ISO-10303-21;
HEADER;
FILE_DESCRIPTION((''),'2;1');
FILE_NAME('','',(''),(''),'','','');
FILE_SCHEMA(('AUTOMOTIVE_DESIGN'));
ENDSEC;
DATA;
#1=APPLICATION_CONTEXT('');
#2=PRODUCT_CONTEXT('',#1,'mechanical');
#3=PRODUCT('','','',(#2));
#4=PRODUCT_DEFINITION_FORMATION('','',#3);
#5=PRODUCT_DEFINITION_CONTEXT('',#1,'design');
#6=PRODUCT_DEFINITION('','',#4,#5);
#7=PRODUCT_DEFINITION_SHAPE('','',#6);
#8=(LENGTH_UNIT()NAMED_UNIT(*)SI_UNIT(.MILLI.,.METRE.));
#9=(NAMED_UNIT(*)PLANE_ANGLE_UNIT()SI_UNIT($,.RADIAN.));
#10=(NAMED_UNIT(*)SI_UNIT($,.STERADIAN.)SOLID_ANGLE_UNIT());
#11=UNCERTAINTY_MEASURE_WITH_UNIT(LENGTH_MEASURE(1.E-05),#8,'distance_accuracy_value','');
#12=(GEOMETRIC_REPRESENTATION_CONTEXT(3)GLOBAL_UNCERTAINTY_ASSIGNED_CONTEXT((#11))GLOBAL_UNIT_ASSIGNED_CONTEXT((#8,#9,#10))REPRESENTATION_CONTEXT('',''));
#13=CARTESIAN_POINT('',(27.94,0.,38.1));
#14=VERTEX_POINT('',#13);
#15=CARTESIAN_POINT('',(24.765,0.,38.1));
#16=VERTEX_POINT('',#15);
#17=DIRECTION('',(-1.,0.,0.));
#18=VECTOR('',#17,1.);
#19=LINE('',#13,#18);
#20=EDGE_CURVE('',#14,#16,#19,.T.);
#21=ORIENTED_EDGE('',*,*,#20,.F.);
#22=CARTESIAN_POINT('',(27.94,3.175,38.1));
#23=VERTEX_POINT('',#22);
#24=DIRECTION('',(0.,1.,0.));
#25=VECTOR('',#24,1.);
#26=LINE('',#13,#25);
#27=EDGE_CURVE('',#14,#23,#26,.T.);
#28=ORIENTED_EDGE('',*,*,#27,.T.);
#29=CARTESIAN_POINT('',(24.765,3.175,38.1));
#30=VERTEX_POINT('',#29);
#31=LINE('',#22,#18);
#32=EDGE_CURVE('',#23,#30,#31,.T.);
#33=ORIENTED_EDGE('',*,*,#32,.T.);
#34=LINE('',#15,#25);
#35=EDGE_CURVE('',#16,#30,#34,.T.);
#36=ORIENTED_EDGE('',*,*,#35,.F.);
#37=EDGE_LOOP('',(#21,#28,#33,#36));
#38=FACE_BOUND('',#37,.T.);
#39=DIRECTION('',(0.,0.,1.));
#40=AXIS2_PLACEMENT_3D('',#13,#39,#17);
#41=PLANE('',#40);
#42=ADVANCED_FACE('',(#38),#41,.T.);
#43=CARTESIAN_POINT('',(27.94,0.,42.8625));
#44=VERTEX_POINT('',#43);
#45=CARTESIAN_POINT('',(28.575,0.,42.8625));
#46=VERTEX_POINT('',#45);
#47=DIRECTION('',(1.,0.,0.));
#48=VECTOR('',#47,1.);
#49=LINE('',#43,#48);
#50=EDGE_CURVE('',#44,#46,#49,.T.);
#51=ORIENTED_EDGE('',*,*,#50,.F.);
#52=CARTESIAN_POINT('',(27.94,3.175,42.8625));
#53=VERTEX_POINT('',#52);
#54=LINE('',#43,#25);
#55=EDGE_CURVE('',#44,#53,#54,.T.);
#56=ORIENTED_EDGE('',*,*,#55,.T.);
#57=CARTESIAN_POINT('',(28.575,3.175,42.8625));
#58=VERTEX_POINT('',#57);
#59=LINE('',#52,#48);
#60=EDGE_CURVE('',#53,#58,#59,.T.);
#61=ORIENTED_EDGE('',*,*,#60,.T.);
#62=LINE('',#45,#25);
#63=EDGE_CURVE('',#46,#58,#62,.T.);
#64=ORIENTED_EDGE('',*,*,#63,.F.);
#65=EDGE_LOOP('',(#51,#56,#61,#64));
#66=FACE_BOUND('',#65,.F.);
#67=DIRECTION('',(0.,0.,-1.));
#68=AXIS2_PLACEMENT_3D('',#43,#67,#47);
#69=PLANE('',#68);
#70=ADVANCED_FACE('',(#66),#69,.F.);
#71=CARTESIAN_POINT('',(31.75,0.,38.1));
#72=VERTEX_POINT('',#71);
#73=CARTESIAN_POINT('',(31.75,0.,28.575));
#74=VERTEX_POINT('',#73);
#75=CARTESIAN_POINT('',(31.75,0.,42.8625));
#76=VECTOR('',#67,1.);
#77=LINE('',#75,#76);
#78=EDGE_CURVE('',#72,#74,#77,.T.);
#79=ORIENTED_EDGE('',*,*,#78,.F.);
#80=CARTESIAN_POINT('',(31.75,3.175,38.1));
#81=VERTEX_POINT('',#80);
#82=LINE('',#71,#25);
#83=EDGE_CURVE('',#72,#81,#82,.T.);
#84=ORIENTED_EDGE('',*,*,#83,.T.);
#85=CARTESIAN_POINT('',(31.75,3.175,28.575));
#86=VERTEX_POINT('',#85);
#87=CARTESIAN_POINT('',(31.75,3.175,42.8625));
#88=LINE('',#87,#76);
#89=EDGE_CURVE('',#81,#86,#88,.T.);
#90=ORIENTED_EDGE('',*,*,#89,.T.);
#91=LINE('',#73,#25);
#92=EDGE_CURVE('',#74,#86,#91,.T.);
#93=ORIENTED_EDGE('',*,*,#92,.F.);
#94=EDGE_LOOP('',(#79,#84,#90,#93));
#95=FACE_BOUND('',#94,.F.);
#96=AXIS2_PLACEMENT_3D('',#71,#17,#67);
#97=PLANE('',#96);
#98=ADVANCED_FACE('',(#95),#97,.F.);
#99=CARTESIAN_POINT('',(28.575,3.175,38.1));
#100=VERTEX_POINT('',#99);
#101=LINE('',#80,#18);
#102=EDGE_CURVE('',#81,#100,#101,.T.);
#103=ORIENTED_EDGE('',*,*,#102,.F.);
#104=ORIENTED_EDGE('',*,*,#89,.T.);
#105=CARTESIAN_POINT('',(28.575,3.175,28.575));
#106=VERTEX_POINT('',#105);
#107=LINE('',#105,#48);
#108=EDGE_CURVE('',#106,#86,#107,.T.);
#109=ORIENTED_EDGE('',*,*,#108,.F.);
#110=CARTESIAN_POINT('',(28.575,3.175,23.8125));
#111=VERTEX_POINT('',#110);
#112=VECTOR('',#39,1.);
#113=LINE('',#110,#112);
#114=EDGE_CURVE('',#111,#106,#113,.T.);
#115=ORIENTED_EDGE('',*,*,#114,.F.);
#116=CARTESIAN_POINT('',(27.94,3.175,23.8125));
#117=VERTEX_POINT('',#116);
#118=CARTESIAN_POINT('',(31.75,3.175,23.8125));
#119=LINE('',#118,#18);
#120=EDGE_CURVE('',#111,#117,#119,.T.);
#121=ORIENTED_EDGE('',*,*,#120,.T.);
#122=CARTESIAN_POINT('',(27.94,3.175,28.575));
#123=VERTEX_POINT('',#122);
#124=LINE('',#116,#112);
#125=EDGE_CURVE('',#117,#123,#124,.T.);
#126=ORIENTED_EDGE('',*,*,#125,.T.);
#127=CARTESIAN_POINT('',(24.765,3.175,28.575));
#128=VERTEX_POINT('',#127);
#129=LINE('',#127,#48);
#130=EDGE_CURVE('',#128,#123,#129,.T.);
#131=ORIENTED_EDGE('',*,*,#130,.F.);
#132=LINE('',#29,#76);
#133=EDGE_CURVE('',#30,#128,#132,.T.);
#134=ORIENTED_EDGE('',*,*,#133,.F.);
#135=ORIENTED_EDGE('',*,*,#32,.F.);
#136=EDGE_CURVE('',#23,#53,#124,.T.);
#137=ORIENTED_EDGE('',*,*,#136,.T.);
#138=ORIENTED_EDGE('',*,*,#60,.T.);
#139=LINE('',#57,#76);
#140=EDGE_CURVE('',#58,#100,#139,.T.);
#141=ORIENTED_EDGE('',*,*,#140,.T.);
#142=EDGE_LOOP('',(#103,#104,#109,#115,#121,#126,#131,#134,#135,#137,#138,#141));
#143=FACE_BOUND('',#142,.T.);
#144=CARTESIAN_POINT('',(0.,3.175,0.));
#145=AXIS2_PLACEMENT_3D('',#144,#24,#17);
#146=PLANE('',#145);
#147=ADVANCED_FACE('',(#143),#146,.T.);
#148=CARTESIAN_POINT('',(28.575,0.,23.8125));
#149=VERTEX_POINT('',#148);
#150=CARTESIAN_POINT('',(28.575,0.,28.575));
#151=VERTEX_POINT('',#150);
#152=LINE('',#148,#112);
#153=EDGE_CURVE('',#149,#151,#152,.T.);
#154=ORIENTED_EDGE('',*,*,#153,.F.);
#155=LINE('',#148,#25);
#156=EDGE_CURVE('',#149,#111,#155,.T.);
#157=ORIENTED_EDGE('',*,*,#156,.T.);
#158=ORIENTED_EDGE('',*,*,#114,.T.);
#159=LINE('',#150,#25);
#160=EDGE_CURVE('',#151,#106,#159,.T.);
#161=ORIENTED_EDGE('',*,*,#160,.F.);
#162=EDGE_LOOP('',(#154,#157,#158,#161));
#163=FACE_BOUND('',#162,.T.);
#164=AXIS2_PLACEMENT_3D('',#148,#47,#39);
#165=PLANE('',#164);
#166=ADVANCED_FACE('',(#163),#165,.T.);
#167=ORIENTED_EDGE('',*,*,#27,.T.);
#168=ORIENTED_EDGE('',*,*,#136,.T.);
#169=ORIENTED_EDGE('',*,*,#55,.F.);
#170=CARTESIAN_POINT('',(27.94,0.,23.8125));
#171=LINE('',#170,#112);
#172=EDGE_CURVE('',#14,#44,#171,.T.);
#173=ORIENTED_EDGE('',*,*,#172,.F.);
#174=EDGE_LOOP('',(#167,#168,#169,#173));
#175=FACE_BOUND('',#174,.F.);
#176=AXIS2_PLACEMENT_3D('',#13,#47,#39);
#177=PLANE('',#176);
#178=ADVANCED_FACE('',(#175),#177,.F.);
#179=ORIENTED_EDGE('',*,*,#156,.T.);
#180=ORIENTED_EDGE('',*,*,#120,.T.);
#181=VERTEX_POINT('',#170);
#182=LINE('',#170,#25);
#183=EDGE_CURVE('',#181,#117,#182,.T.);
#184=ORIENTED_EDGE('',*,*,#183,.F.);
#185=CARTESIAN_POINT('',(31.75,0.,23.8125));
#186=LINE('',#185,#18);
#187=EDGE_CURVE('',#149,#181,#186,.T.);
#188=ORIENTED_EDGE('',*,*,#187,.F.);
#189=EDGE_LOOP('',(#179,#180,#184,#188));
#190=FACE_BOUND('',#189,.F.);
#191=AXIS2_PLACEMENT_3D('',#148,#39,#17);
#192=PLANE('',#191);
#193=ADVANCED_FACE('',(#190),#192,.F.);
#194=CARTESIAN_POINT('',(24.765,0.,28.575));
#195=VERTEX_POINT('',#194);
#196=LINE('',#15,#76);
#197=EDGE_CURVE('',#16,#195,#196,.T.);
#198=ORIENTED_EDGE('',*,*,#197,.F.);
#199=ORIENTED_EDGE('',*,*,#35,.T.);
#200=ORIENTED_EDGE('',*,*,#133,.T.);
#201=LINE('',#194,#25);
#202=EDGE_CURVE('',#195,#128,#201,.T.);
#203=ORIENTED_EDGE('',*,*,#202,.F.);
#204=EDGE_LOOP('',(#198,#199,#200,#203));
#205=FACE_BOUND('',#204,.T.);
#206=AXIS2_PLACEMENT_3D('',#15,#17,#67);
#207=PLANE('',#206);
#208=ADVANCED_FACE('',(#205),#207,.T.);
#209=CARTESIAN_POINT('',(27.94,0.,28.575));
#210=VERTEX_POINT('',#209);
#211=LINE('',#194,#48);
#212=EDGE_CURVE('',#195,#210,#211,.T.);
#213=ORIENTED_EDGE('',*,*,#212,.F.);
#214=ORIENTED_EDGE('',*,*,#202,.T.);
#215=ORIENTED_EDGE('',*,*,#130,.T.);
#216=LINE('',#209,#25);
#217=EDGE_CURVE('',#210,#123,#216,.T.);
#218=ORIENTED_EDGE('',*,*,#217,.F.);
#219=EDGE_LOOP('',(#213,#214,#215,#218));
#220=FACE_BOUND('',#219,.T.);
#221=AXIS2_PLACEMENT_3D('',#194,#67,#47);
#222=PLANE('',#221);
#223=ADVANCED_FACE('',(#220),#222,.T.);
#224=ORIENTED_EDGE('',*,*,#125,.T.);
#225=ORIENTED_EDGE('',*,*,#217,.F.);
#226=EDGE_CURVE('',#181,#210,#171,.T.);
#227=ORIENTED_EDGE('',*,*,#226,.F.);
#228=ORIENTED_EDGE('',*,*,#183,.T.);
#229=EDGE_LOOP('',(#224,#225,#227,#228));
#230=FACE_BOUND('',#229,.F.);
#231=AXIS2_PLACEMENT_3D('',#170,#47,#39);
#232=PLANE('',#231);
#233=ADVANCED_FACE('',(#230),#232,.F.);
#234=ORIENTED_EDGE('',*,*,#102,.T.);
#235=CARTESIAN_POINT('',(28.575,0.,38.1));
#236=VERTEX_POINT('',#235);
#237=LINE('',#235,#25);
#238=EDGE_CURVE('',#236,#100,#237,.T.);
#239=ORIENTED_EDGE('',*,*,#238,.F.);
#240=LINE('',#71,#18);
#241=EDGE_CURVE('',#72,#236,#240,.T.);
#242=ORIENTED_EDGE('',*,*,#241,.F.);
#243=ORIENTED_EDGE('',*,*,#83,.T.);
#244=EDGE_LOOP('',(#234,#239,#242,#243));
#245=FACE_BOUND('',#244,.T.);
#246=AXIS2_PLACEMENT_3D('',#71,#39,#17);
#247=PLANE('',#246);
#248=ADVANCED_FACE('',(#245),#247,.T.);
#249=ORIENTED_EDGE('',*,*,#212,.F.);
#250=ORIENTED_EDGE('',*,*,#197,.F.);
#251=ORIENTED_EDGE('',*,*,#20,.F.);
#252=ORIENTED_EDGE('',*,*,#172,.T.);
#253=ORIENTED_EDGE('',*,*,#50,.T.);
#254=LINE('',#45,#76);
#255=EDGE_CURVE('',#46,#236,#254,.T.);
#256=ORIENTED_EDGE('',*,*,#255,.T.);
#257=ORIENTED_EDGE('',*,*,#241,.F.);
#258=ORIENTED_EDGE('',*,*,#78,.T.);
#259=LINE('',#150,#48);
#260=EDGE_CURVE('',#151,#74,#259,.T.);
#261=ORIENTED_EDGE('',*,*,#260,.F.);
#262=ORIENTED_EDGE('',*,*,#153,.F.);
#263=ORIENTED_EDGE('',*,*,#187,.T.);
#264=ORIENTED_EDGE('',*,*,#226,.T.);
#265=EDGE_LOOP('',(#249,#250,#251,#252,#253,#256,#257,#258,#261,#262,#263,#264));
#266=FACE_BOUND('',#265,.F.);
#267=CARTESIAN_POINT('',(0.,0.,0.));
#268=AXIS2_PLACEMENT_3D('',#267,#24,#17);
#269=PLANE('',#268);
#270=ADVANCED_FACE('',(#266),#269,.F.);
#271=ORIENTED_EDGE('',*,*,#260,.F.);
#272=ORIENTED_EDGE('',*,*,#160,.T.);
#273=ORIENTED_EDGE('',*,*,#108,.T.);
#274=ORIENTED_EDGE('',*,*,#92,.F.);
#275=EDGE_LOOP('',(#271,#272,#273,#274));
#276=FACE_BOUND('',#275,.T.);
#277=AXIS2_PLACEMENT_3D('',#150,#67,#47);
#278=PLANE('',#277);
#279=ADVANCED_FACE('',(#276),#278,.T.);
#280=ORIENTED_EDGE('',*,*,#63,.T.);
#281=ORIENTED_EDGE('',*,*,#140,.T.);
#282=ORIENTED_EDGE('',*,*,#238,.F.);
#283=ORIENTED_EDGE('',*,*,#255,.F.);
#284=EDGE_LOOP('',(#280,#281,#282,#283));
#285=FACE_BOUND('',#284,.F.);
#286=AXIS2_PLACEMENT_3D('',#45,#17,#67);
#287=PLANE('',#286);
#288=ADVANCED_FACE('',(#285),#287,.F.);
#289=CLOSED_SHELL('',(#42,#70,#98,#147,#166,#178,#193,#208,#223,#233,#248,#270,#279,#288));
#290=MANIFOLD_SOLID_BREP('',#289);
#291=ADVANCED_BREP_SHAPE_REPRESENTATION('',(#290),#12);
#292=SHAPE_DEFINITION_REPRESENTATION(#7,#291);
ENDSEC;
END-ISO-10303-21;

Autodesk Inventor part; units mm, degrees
ref_plane "YZ Plane" through (0, 0, 0) normal (1, 0, 0) x (0, 1, 0)
ref_plane "XZ Plane" through (0, 0, 0) normal (0, 1, 0) x (-1, 0, 0)
ref_plane "XY Plane" through (0, 0, 0) normal (0, 0, 1) x (1, 0, 0)
sketch "Sketch1" plane through (0, 0, 0) normal (0, 1, 0) x (-1, 0, 0)
  line L0 (-27.94, 42.8625) -> (-31.75, 42.8625)
  line L1 (-31.75, 42.8625) -> (-31.75, 23.8125)
  line L2 (-31.75, 23.8125) -> (-27.94, 23.8125)
  line L3 (-27.94, 23.8125) -> (-27.94, 42.8625)
  line L4 (-27.94, 38.1) -> (-24.765, 38.1)
  line L5 (-24.765, 38.1) -> (-24.765, 28.575)
  line L6 (-24.765, 28.575) -> (-27.94, 28.575)
  line L7 (-27.94, 28.575) -> (-27.94, 38.1)
  line L8 (-31.75, 38.1) -> (-28.575, 38.1)
  line L9 (-28.575, 28.575) -> (-31.75, 28.575)
  line L10 (-31.75, 28.575) -> (-31.75, 38.1)
  line L11 (-28.575, 28.575) -> (-31.75, 28.575)
  line L12 (-31.75, 28.575) -> (-31.75, 23.8125)
  line L13 (-31.75, 23.8125) -> (-28.575, 23.8125)
  line L14 (-28.575, 23.8125) -> (-28.575, 28.575)
  line L15 (-28.575, 38.1) -> (-31.75, 38.1)
  line L16 (-31.75, 38.1) -> (-31.75, 42.8625)
  line L17 (-31.75, 42.8625) -> (-28.575, 42.8625)
  line L18 (-28.575, 42.8625) -> (-28.575, 38.1)
  point P0 (0, 0)
  dimension "d0" = 4.7625
  dimension "d1" = 4.7625
  dimension "d2" = 19.05
  dimension "d3" = 3.175
  dimension "d4" = 3.81
extrude "Extrusion2" add sketch "Sketch1" along normal blind 3.175 contours L3 L2 L14 L9 L1 L8 L18 L0 | L4 L5 L6 L3
